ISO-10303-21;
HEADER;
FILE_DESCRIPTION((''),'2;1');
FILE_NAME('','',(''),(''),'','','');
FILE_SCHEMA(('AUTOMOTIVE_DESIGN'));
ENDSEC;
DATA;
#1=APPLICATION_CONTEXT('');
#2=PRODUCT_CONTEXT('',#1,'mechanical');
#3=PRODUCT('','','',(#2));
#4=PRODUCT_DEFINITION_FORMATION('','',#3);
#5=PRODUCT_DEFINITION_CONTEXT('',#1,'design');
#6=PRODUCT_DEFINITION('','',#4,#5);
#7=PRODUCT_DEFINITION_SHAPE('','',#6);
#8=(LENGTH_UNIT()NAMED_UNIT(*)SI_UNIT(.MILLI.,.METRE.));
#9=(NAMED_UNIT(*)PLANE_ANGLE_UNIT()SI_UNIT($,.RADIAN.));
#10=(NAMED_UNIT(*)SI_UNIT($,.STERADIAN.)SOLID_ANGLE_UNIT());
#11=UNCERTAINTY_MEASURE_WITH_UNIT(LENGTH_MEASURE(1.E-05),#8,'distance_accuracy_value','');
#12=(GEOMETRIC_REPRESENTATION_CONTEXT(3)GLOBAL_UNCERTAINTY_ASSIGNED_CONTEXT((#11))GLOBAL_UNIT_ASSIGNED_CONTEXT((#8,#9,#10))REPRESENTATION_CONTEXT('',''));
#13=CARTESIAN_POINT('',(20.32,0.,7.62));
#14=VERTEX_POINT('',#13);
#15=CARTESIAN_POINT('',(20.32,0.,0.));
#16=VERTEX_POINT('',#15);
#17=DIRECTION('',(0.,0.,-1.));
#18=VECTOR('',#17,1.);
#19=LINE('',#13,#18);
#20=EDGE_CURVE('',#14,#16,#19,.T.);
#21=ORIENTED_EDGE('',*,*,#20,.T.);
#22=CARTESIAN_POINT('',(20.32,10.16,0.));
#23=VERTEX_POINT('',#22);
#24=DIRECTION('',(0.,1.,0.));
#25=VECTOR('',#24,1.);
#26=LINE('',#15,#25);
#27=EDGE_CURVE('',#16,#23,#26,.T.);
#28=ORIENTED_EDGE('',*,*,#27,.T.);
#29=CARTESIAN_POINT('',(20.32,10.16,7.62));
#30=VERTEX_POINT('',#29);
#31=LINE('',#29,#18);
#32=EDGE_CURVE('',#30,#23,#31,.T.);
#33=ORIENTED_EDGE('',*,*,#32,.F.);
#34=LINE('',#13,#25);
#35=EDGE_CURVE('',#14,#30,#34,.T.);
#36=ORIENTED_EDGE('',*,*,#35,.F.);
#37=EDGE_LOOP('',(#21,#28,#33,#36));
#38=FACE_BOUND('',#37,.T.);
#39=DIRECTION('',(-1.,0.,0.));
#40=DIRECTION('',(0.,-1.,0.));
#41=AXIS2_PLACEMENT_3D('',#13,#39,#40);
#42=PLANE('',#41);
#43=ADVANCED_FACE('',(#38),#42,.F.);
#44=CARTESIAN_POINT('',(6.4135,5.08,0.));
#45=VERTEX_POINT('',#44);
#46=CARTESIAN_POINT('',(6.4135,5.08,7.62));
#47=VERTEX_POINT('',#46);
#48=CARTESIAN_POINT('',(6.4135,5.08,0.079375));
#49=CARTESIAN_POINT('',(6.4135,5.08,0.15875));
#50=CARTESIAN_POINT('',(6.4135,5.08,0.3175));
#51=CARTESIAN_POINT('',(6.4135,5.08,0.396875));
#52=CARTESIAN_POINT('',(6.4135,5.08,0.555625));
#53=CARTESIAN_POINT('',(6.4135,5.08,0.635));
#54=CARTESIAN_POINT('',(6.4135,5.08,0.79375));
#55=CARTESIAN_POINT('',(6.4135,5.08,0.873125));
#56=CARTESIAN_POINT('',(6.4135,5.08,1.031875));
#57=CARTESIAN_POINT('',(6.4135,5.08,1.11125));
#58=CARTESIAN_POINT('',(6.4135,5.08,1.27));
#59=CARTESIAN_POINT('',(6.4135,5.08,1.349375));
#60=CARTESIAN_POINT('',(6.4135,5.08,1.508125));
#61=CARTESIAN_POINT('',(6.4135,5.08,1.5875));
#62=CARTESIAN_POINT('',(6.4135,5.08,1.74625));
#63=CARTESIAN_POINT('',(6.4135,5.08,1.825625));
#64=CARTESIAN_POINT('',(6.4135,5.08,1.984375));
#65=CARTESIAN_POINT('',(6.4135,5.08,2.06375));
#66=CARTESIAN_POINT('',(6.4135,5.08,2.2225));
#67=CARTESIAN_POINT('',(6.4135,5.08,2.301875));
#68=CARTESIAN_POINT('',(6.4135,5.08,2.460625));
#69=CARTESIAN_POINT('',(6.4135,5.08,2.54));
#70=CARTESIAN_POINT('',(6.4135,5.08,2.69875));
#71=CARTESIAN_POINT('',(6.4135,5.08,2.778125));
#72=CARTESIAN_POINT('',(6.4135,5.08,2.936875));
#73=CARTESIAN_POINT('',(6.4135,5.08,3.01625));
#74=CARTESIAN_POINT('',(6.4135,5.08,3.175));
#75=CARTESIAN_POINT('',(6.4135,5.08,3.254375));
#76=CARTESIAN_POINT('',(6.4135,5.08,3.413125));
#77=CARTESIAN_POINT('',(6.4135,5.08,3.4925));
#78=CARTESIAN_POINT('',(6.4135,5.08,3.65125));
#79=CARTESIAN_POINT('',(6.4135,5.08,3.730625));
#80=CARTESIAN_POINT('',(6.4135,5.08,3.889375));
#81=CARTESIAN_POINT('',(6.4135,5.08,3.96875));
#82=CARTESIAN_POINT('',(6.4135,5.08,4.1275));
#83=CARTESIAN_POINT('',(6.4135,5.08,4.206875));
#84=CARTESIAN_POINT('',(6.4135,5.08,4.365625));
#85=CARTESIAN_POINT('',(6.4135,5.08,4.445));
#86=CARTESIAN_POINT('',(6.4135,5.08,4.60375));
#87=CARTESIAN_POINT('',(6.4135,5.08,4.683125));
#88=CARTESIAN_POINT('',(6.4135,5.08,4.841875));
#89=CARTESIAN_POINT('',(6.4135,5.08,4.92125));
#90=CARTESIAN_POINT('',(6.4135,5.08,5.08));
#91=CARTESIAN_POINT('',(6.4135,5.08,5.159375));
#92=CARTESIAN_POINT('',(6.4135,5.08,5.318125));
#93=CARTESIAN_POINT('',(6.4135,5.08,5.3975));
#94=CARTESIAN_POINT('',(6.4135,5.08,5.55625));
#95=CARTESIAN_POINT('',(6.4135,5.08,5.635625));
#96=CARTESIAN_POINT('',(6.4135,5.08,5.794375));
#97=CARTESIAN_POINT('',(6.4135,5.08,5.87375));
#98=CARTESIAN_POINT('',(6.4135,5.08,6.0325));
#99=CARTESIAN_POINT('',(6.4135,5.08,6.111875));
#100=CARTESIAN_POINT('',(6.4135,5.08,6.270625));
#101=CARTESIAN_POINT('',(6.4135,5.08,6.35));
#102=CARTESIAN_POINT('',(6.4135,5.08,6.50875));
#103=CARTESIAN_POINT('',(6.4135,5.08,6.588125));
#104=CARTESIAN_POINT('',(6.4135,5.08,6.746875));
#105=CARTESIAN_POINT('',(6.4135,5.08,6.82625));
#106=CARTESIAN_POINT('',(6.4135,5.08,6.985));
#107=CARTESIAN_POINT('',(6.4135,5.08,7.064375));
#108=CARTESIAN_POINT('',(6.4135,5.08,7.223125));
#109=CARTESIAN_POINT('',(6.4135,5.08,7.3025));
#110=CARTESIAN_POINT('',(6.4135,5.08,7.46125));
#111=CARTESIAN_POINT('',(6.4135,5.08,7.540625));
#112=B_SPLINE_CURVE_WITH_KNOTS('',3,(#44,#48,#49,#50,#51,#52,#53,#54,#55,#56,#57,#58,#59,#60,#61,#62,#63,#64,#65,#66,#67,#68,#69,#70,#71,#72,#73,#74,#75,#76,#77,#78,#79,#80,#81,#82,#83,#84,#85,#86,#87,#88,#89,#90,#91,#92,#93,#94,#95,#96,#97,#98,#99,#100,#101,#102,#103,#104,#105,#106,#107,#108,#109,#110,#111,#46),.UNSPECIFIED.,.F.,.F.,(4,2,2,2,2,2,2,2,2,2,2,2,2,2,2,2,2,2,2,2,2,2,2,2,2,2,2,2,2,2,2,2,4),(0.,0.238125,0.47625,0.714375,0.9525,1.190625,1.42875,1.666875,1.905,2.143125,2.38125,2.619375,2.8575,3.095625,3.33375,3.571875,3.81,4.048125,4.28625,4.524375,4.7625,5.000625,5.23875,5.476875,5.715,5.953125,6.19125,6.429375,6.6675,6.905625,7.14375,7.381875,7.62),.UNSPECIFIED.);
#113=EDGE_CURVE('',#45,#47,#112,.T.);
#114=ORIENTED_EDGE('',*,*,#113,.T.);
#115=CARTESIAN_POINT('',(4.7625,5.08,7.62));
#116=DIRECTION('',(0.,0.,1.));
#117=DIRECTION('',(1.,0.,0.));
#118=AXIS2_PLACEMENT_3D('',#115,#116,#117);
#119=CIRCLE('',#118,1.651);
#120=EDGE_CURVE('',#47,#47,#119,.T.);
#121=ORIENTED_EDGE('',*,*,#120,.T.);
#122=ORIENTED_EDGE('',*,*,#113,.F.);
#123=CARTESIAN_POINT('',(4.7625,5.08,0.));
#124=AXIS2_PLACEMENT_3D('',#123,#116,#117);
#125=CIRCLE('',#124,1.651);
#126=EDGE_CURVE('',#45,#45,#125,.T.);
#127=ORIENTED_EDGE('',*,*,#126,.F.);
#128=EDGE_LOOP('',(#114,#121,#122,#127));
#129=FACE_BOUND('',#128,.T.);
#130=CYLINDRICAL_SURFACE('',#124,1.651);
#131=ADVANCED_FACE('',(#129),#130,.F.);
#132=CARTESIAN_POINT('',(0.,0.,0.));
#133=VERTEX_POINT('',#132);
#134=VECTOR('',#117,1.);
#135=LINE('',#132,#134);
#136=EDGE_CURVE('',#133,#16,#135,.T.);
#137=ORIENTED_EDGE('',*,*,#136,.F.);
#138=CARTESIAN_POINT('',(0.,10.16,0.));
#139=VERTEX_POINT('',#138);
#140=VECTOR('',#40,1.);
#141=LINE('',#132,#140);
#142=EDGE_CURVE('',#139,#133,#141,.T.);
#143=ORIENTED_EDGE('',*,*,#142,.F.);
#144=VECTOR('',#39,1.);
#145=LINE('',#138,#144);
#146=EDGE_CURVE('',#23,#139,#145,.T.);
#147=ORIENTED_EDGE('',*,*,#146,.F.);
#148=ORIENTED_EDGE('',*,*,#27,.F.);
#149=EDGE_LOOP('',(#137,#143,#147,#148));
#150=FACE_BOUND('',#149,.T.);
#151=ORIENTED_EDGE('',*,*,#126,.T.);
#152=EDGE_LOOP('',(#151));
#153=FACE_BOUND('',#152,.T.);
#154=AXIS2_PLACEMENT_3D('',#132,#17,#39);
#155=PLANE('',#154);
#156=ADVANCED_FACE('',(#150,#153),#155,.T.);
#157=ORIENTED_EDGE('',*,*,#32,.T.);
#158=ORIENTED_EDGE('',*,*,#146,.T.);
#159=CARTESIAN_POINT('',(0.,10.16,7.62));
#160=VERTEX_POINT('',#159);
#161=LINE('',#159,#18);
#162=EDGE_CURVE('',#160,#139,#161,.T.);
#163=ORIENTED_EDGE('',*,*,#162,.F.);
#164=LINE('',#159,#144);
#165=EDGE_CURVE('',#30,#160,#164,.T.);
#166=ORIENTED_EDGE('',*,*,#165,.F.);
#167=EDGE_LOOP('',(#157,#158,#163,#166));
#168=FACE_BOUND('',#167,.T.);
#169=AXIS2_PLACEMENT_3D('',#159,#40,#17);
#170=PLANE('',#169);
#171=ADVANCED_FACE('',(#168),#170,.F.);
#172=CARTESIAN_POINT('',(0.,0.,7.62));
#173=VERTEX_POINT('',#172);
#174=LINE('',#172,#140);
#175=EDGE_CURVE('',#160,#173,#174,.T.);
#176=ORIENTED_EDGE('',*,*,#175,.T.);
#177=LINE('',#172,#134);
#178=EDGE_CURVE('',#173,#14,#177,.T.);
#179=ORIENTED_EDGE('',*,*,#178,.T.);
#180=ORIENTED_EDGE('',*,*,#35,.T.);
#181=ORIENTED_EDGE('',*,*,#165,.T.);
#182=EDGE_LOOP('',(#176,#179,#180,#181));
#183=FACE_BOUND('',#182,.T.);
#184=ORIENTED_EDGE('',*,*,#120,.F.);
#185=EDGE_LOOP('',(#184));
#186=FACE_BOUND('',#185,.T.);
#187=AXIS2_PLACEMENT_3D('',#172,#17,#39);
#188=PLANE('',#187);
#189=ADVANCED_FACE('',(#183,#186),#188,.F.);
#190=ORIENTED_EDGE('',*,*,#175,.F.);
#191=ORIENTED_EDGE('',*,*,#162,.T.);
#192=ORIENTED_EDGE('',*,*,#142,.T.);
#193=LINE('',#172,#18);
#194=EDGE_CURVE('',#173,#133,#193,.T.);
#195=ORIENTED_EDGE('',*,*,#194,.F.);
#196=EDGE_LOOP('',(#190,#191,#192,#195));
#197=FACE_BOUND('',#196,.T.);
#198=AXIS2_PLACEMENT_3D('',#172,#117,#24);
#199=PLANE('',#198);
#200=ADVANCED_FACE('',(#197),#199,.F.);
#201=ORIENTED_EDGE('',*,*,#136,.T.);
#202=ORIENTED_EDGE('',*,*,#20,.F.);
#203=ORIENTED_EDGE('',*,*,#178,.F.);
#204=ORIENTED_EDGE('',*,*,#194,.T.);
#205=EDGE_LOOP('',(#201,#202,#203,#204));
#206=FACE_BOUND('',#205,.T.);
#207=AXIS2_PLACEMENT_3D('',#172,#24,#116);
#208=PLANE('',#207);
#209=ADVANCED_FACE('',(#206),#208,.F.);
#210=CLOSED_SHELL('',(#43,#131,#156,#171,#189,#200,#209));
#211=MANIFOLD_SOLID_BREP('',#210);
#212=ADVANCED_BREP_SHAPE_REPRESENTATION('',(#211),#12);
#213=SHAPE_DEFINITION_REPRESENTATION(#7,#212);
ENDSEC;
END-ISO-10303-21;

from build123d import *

# Parameters (mm, degrees)
SKETCH1_W           = 20.32
SKETCH1_H           = 10.16
BOSS_EXTRUDE1_DEPTH = 7.62
SKETCH2_R           = 1.651
CUT_EXTRUDE1_DEPTH  = 24.962312075


with BuildPart() as part:
    # Sketch1 → Boss-Extrude1 (new body)
    with BuildSketch(Plane.XY):
        with Locations((10.16, 5.08)):
            Rectangle(SKETCH1_W, SKETCH1_H)
    extrude(amount=BOSS_EXTRUDE1_DEPTH)

    # Sketch2 → Cut-Extrude1 (cut, through all)
    with BuildSketch(Plane.XY.offset(7.62)):
        with Locations((4.7625, 5.08)):
            Circle(SKETCH2_R)
    extrude(amount=-CUT_EXTRUDE1_DEPTH, mode=Mode.SUBTRACT)


solid = part.part
